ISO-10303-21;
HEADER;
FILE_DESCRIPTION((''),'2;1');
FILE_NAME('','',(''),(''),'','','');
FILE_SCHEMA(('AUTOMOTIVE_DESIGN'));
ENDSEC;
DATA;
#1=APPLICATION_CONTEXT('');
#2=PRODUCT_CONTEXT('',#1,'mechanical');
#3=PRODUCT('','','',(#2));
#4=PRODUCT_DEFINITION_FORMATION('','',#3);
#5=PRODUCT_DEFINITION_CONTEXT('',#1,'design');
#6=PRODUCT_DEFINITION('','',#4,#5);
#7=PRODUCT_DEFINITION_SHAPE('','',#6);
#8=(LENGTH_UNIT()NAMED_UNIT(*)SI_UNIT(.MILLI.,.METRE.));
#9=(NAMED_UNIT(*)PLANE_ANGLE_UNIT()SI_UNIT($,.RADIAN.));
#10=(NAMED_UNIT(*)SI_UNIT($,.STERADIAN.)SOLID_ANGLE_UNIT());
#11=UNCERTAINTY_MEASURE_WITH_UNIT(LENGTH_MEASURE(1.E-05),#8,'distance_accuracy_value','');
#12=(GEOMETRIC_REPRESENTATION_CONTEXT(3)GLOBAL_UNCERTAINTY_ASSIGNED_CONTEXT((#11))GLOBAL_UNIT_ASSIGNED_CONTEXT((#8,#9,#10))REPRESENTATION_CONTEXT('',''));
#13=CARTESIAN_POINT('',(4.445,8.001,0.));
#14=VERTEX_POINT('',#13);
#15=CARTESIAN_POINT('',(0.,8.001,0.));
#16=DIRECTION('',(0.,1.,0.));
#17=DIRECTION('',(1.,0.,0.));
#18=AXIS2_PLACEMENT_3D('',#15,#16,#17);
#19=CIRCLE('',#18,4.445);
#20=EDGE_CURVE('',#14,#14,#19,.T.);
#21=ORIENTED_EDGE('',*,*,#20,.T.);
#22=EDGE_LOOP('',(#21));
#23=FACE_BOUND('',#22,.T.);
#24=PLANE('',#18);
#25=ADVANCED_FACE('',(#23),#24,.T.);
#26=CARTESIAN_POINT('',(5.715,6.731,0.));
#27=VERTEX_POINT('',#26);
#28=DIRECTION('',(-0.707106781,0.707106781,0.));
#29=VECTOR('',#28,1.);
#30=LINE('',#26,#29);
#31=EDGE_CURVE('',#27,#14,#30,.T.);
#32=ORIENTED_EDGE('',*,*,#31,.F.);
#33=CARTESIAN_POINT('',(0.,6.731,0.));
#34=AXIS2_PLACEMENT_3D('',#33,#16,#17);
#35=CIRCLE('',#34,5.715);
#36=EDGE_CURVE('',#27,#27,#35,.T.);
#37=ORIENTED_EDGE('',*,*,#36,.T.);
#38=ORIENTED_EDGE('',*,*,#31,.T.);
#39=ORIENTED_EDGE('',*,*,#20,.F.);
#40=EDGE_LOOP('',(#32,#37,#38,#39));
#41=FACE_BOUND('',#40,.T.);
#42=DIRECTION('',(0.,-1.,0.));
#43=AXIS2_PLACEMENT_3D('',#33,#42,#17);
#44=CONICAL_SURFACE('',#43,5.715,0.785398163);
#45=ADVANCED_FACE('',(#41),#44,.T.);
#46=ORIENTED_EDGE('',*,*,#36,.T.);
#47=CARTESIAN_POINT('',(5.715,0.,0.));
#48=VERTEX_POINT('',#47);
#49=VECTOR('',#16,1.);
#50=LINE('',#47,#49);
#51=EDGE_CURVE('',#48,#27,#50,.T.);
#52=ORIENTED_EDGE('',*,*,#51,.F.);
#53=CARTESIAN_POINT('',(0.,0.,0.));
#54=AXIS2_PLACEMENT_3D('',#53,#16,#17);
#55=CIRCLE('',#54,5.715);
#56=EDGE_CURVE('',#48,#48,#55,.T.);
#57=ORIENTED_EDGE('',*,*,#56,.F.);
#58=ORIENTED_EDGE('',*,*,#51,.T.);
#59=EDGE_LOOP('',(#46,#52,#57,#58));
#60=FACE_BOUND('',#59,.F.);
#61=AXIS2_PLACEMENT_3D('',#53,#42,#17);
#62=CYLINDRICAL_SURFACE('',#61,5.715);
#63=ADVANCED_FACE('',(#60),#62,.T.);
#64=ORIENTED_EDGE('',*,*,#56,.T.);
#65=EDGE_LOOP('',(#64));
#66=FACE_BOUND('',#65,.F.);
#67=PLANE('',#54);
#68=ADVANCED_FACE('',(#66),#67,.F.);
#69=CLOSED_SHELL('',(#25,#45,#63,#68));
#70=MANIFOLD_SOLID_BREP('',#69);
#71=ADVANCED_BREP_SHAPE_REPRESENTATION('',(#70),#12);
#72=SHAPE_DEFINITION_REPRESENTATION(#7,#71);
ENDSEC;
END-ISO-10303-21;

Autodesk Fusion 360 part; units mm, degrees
sketch "Sketch1" plane through (0, 0, 0) normal (0, 1, 0) x (1, 0, 0)
  circle A0 centre (0, 0) radius 5.715
  dimension "d3" = 11.43
extrude "Extrude1" add sketch "Sketch1" along normal blind 8.001 makes body 1
chamfer "Chamfer1" distance 1.27 angle 45 1 edges at (-5.3283, 8.001, 2.0666) on bodies 1
copy_body "Body->Comp1" bodies 1 removing the originals makes body 2 in component "Peg"
component "Peg" placed x (1, 0, 0) y (0, 1, 0) z (0, 0, 1) at (0, 0, 0)
equation "pegDiameter = 0.45 in"
equation "pegDepth = 0.2 in + boardThickness"
equation "d3 = pegDiameter"
equation "d4 = pegDepth"
equation "boardThickness = 0.115 in"
